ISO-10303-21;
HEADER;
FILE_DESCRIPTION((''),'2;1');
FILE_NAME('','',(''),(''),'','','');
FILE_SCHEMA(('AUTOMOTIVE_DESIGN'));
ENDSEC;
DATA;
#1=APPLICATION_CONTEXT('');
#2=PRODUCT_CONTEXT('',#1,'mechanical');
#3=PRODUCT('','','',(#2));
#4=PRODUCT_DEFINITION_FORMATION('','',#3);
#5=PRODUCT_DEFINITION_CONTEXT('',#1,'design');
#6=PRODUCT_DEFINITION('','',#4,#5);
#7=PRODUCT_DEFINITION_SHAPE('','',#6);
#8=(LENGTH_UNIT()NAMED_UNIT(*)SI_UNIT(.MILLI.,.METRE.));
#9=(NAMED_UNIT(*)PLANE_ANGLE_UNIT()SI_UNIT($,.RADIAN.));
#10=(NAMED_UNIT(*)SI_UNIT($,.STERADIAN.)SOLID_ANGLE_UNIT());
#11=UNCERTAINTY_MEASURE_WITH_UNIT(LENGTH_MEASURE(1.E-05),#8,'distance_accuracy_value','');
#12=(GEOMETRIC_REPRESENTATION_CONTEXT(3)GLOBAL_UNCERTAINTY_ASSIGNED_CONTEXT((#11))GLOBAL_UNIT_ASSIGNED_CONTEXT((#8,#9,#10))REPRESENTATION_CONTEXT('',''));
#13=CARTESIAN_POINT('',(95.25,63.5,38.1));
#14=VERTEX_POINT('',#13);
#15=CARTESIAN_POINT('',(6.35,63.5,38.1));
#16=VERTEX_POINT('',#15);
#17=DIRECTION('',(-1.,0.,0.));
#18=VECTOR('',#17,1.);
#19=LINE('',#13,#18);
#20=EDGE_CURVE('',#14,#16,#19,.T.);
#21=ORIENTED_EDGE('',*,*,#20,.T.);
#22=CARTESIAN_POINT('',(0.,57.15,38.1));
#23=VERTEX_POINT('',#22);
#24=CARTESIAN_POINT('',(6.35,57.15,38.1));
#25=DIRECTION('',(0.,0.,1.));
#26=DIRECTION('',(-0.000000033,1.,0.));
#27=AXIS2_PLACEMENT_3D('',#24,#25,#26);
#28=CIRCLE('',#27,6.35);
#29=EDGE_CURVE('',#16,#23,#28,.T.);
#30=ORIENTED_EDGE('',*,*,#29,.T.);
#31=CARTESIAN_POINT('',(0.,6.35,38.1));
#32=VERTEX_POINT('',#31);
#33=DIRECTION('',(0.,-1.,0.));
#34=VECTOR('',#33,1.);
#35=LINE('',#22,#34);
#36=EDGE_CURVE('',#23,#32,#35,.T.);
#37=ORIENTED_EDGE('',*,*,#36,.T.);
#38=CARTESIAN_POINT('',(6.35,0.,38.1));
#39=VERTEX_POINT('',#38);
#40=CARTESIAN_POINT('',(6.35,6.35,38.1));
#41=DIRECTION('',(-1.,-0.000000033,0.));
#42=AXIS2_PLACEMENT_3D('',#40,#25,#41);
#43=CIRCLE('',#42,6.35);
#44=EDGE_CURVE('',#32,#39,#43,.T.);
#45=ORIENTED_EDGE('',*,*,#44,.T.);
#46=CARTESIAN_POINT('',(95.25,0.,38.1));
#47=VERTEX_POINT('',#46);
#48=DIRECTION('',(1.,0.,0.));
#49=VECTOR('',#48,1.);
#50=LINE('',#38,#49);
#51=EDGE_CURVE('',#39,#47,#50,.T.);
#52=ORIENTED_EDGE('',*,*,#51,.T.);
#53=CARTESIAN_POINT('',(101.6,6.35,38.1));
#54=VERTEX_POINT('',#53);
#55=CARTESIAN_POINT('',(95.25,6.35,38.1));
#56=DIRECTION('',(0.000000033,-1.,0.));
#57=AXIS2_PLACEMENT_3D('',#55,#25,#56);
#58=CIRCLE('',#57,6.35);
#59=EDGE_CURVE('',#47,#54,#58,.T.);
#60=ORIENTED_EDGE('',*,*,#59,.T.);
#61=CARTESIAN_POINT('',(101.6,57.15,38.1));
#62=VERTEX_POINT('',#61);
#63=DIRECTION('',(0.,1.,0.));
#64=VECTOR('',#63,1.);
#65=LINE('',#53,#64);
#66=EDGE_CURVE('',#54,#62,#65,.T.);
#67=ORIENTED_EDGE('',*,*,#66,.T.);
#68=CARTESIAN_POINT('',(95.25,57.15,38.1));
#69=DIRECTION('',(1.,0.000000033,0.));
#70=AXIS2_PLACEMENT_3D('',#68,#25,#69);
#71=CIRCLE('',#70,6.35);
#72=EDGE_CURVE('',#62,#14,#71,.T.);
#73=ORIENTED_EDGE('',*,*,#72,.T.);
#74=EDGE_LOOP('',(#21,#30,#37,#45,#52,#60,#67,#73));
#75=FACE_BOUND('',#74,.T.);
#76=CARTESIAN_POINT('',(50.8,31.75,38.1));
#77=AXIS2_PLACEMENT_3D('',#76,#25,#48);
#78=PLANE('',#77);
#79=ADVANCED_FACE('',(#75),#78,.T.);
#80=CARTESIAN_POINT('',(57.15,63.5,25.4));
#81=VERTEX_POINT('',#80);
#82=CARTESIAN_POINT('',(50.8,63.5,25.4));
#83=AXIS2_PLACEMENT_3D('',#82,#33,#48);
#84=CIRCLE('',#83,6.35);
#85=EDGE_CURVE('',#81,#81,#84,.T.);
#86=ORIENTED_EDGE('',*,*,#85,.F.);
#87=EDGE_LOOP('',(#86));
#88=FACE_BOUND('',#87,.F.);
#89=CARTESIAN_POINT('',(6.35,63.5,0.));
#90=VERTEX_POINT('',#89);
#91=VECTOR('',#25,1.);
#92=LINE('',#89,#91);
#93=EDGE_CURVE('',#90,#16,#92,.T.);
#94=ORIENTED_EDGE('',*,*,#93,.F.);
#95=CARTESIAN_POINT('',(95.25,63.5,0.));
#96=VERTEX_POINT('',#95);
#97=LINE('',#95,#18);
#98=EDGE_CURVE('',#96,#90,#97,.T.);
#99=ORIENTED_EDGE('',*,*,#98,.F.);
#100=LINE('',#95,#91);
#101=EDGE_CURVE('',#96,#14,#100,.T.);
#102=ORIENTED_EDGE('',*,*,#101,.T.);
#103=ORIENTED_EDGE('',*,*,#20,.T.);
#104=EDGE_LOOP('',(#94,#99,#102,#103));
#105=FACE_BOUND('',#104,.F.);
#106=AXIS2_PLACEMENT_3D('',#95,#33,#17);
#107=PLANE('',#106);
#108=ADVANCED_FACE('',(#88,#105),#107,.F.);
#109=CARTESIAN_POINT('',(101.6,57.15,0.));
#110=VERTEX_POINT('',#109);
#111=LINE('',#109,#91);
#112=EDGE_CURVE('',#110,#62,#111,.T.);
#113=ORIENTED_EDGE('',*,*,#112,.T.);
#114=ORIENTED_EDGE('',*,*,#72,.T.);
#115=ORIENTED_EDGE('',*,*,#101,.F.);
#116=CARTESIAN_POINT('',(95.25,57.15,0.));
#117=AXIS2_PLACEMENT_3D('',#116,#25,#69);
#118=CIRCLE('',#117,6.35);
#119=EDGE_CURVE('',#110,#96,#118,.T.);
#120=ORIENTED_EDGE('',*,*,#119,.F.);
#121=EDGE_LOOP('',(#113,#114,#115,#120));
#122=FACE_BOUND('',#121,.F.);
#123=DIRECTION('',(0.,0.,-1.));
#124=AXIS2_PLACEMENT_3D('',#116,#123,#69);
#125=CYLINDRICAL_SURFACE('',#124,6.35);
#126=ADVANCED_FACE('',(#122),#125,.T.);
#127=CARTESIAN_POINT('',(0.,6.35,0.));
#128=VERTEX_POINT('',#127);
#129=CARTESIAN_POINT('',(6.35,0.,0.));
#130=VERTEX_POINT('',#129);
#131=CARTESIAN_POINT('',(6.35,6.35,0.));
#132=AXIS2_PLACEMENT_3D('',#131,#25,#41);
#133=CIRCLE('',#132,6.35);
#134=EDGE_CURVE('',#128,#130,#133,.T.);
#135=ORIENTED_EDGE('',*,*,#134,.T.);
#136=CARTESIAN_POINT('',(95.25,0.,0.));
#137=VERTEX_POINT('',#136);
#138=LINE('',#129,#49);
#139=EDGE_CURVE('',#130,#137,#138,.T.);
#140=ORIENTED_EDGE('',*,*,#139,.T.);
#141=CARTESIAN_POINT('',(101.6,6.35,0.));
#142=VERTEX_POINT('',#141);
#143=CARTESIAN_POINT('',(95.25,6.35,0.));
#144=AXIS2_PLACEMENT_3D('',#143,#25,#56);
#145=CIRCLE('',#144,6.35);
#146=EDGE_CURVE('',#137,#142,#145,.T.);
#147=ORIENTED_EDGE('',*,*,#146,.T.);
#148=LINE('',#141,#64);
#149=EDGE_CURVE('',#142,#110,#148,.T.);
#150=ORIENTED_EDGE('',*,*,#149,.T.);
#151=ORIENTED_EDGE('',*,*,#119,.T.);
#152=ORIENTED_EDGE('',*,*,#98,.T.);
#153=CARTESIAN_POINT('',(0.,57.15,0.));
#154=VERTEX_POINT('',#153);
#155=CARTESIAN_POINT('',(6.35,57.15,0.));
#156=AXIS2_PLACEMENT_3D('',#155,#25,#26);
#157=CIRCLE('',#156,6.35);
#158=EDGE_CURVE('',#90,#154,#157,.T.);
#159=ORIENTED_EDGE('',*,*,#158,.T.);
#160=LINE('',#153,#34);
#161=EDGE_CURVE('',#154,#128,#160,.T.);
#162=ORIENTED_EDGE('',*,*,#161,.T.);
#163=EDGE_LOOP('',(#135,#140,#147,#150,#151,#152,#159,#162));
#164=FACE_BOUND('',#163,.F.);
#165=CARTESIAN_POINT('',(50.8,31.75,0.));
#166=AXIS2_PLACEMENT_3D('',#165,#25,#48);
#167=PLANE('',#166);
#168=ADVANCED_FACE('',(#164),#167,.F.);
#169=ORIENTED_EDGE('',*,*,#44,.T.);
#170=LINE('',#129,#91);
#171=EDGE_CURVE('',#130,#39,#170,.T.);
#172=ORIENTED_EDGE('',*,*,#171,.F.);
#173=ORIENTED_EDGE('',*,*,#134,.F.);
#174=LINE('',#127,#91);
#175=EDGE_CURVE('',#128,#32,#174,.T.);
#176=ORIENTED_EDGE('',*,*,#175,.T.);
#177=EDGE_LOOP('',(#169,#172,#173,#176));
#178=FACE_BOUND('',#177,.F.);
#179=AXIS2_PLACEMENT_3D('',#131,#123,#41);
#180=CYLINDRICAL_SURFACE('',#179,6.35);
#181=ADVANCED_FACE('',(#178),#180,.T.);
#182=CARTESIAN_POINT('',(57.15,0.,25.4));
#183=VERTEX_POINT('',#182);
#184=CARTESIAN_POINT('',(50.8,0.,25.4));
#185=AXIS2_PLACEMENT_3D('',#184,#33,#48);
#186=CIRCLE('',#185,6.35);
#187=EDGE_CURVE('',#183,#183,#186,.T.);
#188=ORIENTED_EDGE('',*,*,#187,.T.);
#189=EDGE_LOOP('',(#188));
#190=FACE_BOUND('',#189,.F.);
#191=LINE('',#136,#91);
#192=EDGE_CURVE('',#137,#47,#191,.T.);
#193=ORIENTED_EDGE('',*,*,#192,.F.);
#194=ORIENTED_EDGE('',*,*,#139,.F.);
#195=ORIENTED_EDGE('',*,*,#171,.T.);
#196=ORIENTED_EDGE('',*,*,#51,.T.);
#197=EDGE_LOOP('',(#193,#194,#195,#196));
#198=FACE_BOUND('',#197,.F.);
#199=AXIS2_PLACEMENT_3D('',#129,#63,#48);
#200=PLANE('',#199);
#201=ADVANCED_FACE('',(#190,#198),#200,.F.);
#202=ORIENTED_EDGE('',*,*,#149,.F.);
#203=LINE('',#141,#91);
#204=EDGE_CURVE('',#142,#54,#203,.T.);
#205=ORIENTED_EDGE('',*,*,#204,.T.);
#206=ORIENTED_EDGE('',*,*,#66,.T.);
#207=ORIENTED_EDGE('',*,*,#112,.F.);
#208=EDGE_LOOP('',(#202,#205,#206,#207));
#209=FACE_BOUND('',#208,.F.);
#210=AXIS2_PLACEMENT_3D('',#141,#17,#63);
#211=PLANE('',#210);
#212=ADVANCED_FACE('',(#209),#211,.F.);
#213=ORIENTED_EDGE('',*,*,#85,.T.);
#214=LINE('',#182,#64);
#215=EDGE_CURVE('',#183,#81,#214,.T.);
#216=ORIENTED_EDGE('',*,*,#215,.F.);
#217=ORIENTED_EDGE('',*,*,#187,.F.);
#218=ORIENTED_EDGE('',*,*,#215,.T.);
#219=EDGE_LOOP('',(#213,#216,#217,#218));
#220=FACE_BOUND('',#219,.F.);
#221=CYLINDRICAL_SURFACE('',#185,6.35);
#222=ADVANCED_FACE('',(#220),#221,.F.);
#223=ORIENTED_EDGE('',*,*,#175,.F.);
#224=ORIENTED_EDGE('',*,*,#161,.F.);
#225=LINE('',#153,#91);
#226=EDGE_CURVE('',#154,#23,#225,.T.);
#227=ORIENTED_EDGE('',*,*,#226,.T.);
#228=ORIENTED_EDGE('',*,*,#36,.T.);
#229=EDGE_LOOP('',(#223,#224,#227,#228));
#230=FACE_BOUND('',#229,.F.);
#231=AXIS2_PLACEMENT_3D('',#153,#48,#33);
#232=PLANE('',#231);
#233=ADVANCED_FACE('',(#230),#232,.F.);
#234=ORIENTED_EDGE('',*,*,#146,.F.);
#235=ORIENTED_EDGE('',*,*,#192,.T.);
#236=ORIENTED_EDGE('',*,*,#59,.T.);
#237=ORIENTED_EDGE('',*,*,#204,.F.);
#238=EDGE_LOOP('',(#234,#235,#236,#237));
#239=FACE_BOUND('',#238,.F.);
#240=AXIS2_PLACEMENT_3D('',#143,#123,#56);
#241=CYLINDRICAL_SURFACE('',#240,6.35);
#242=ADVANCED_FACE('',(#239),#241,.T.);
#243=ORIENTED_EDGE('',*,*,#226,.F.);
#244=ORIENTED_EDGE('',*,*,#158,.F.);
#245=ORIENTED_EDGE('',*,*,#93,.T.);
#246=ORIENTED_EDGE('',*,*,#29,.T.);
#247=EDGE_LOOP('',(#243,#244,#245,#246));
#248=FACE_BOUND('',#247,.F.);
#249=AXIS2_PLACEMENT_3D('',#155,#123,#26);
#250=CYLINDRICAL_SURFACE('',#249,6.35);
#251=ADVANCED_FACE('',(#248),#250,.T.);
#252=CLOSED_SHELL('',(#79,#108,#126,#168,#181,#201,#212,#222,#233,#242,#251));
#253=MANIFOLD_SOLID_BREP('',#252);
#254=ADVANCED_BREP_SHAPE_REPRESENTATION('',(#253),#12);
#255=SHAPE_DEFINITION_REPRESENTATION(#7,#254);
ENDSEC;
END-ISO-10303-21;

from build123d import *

# Parameters (mm, degrees)
F1_DEPTH = 38.1
F2_R     = 6.35
F3_DEPTH = 63.501


with BuildPart() as f1:
    # F0 (on Top) → F1 (new body)
    with BuildSketch(Plane.XY):
        with BuildLine():
            ThreePointArc((0, 6.35), (1.859872, 1.859872), (6.35, 0))
            Line((6.35, 0), (95.25, 0))
            ThreePointArc((95.25, 0), (99.740128, 1.859872), (101.6, 6.35))
            Line((101.6, 6.35), (101.6, 57.15))
            ThreePointArc((101.6, 57.15), (99.740128, 61.640128), (95.25, 63.5))
            Line((95.25, 63.5), (6.35, 63.5))
            ThreePointArc((6.35, 63.5), (1.859872, 61.640128), (0, 57.15))
            Line((0, 57.15), (0, 6.35))
        make_face()
    extrude(amount=F1_DEPTH)

    # F2 (on face) → F3 (cut, through all)
    with BuildSketch(Plane.XZ):
        with Locations((50.8, 25.4)):
            Circle(F2_R)
    extrude(amount=-F3_DEPTH, mode=Mode.SUBTRACT)


solid = f1.part
